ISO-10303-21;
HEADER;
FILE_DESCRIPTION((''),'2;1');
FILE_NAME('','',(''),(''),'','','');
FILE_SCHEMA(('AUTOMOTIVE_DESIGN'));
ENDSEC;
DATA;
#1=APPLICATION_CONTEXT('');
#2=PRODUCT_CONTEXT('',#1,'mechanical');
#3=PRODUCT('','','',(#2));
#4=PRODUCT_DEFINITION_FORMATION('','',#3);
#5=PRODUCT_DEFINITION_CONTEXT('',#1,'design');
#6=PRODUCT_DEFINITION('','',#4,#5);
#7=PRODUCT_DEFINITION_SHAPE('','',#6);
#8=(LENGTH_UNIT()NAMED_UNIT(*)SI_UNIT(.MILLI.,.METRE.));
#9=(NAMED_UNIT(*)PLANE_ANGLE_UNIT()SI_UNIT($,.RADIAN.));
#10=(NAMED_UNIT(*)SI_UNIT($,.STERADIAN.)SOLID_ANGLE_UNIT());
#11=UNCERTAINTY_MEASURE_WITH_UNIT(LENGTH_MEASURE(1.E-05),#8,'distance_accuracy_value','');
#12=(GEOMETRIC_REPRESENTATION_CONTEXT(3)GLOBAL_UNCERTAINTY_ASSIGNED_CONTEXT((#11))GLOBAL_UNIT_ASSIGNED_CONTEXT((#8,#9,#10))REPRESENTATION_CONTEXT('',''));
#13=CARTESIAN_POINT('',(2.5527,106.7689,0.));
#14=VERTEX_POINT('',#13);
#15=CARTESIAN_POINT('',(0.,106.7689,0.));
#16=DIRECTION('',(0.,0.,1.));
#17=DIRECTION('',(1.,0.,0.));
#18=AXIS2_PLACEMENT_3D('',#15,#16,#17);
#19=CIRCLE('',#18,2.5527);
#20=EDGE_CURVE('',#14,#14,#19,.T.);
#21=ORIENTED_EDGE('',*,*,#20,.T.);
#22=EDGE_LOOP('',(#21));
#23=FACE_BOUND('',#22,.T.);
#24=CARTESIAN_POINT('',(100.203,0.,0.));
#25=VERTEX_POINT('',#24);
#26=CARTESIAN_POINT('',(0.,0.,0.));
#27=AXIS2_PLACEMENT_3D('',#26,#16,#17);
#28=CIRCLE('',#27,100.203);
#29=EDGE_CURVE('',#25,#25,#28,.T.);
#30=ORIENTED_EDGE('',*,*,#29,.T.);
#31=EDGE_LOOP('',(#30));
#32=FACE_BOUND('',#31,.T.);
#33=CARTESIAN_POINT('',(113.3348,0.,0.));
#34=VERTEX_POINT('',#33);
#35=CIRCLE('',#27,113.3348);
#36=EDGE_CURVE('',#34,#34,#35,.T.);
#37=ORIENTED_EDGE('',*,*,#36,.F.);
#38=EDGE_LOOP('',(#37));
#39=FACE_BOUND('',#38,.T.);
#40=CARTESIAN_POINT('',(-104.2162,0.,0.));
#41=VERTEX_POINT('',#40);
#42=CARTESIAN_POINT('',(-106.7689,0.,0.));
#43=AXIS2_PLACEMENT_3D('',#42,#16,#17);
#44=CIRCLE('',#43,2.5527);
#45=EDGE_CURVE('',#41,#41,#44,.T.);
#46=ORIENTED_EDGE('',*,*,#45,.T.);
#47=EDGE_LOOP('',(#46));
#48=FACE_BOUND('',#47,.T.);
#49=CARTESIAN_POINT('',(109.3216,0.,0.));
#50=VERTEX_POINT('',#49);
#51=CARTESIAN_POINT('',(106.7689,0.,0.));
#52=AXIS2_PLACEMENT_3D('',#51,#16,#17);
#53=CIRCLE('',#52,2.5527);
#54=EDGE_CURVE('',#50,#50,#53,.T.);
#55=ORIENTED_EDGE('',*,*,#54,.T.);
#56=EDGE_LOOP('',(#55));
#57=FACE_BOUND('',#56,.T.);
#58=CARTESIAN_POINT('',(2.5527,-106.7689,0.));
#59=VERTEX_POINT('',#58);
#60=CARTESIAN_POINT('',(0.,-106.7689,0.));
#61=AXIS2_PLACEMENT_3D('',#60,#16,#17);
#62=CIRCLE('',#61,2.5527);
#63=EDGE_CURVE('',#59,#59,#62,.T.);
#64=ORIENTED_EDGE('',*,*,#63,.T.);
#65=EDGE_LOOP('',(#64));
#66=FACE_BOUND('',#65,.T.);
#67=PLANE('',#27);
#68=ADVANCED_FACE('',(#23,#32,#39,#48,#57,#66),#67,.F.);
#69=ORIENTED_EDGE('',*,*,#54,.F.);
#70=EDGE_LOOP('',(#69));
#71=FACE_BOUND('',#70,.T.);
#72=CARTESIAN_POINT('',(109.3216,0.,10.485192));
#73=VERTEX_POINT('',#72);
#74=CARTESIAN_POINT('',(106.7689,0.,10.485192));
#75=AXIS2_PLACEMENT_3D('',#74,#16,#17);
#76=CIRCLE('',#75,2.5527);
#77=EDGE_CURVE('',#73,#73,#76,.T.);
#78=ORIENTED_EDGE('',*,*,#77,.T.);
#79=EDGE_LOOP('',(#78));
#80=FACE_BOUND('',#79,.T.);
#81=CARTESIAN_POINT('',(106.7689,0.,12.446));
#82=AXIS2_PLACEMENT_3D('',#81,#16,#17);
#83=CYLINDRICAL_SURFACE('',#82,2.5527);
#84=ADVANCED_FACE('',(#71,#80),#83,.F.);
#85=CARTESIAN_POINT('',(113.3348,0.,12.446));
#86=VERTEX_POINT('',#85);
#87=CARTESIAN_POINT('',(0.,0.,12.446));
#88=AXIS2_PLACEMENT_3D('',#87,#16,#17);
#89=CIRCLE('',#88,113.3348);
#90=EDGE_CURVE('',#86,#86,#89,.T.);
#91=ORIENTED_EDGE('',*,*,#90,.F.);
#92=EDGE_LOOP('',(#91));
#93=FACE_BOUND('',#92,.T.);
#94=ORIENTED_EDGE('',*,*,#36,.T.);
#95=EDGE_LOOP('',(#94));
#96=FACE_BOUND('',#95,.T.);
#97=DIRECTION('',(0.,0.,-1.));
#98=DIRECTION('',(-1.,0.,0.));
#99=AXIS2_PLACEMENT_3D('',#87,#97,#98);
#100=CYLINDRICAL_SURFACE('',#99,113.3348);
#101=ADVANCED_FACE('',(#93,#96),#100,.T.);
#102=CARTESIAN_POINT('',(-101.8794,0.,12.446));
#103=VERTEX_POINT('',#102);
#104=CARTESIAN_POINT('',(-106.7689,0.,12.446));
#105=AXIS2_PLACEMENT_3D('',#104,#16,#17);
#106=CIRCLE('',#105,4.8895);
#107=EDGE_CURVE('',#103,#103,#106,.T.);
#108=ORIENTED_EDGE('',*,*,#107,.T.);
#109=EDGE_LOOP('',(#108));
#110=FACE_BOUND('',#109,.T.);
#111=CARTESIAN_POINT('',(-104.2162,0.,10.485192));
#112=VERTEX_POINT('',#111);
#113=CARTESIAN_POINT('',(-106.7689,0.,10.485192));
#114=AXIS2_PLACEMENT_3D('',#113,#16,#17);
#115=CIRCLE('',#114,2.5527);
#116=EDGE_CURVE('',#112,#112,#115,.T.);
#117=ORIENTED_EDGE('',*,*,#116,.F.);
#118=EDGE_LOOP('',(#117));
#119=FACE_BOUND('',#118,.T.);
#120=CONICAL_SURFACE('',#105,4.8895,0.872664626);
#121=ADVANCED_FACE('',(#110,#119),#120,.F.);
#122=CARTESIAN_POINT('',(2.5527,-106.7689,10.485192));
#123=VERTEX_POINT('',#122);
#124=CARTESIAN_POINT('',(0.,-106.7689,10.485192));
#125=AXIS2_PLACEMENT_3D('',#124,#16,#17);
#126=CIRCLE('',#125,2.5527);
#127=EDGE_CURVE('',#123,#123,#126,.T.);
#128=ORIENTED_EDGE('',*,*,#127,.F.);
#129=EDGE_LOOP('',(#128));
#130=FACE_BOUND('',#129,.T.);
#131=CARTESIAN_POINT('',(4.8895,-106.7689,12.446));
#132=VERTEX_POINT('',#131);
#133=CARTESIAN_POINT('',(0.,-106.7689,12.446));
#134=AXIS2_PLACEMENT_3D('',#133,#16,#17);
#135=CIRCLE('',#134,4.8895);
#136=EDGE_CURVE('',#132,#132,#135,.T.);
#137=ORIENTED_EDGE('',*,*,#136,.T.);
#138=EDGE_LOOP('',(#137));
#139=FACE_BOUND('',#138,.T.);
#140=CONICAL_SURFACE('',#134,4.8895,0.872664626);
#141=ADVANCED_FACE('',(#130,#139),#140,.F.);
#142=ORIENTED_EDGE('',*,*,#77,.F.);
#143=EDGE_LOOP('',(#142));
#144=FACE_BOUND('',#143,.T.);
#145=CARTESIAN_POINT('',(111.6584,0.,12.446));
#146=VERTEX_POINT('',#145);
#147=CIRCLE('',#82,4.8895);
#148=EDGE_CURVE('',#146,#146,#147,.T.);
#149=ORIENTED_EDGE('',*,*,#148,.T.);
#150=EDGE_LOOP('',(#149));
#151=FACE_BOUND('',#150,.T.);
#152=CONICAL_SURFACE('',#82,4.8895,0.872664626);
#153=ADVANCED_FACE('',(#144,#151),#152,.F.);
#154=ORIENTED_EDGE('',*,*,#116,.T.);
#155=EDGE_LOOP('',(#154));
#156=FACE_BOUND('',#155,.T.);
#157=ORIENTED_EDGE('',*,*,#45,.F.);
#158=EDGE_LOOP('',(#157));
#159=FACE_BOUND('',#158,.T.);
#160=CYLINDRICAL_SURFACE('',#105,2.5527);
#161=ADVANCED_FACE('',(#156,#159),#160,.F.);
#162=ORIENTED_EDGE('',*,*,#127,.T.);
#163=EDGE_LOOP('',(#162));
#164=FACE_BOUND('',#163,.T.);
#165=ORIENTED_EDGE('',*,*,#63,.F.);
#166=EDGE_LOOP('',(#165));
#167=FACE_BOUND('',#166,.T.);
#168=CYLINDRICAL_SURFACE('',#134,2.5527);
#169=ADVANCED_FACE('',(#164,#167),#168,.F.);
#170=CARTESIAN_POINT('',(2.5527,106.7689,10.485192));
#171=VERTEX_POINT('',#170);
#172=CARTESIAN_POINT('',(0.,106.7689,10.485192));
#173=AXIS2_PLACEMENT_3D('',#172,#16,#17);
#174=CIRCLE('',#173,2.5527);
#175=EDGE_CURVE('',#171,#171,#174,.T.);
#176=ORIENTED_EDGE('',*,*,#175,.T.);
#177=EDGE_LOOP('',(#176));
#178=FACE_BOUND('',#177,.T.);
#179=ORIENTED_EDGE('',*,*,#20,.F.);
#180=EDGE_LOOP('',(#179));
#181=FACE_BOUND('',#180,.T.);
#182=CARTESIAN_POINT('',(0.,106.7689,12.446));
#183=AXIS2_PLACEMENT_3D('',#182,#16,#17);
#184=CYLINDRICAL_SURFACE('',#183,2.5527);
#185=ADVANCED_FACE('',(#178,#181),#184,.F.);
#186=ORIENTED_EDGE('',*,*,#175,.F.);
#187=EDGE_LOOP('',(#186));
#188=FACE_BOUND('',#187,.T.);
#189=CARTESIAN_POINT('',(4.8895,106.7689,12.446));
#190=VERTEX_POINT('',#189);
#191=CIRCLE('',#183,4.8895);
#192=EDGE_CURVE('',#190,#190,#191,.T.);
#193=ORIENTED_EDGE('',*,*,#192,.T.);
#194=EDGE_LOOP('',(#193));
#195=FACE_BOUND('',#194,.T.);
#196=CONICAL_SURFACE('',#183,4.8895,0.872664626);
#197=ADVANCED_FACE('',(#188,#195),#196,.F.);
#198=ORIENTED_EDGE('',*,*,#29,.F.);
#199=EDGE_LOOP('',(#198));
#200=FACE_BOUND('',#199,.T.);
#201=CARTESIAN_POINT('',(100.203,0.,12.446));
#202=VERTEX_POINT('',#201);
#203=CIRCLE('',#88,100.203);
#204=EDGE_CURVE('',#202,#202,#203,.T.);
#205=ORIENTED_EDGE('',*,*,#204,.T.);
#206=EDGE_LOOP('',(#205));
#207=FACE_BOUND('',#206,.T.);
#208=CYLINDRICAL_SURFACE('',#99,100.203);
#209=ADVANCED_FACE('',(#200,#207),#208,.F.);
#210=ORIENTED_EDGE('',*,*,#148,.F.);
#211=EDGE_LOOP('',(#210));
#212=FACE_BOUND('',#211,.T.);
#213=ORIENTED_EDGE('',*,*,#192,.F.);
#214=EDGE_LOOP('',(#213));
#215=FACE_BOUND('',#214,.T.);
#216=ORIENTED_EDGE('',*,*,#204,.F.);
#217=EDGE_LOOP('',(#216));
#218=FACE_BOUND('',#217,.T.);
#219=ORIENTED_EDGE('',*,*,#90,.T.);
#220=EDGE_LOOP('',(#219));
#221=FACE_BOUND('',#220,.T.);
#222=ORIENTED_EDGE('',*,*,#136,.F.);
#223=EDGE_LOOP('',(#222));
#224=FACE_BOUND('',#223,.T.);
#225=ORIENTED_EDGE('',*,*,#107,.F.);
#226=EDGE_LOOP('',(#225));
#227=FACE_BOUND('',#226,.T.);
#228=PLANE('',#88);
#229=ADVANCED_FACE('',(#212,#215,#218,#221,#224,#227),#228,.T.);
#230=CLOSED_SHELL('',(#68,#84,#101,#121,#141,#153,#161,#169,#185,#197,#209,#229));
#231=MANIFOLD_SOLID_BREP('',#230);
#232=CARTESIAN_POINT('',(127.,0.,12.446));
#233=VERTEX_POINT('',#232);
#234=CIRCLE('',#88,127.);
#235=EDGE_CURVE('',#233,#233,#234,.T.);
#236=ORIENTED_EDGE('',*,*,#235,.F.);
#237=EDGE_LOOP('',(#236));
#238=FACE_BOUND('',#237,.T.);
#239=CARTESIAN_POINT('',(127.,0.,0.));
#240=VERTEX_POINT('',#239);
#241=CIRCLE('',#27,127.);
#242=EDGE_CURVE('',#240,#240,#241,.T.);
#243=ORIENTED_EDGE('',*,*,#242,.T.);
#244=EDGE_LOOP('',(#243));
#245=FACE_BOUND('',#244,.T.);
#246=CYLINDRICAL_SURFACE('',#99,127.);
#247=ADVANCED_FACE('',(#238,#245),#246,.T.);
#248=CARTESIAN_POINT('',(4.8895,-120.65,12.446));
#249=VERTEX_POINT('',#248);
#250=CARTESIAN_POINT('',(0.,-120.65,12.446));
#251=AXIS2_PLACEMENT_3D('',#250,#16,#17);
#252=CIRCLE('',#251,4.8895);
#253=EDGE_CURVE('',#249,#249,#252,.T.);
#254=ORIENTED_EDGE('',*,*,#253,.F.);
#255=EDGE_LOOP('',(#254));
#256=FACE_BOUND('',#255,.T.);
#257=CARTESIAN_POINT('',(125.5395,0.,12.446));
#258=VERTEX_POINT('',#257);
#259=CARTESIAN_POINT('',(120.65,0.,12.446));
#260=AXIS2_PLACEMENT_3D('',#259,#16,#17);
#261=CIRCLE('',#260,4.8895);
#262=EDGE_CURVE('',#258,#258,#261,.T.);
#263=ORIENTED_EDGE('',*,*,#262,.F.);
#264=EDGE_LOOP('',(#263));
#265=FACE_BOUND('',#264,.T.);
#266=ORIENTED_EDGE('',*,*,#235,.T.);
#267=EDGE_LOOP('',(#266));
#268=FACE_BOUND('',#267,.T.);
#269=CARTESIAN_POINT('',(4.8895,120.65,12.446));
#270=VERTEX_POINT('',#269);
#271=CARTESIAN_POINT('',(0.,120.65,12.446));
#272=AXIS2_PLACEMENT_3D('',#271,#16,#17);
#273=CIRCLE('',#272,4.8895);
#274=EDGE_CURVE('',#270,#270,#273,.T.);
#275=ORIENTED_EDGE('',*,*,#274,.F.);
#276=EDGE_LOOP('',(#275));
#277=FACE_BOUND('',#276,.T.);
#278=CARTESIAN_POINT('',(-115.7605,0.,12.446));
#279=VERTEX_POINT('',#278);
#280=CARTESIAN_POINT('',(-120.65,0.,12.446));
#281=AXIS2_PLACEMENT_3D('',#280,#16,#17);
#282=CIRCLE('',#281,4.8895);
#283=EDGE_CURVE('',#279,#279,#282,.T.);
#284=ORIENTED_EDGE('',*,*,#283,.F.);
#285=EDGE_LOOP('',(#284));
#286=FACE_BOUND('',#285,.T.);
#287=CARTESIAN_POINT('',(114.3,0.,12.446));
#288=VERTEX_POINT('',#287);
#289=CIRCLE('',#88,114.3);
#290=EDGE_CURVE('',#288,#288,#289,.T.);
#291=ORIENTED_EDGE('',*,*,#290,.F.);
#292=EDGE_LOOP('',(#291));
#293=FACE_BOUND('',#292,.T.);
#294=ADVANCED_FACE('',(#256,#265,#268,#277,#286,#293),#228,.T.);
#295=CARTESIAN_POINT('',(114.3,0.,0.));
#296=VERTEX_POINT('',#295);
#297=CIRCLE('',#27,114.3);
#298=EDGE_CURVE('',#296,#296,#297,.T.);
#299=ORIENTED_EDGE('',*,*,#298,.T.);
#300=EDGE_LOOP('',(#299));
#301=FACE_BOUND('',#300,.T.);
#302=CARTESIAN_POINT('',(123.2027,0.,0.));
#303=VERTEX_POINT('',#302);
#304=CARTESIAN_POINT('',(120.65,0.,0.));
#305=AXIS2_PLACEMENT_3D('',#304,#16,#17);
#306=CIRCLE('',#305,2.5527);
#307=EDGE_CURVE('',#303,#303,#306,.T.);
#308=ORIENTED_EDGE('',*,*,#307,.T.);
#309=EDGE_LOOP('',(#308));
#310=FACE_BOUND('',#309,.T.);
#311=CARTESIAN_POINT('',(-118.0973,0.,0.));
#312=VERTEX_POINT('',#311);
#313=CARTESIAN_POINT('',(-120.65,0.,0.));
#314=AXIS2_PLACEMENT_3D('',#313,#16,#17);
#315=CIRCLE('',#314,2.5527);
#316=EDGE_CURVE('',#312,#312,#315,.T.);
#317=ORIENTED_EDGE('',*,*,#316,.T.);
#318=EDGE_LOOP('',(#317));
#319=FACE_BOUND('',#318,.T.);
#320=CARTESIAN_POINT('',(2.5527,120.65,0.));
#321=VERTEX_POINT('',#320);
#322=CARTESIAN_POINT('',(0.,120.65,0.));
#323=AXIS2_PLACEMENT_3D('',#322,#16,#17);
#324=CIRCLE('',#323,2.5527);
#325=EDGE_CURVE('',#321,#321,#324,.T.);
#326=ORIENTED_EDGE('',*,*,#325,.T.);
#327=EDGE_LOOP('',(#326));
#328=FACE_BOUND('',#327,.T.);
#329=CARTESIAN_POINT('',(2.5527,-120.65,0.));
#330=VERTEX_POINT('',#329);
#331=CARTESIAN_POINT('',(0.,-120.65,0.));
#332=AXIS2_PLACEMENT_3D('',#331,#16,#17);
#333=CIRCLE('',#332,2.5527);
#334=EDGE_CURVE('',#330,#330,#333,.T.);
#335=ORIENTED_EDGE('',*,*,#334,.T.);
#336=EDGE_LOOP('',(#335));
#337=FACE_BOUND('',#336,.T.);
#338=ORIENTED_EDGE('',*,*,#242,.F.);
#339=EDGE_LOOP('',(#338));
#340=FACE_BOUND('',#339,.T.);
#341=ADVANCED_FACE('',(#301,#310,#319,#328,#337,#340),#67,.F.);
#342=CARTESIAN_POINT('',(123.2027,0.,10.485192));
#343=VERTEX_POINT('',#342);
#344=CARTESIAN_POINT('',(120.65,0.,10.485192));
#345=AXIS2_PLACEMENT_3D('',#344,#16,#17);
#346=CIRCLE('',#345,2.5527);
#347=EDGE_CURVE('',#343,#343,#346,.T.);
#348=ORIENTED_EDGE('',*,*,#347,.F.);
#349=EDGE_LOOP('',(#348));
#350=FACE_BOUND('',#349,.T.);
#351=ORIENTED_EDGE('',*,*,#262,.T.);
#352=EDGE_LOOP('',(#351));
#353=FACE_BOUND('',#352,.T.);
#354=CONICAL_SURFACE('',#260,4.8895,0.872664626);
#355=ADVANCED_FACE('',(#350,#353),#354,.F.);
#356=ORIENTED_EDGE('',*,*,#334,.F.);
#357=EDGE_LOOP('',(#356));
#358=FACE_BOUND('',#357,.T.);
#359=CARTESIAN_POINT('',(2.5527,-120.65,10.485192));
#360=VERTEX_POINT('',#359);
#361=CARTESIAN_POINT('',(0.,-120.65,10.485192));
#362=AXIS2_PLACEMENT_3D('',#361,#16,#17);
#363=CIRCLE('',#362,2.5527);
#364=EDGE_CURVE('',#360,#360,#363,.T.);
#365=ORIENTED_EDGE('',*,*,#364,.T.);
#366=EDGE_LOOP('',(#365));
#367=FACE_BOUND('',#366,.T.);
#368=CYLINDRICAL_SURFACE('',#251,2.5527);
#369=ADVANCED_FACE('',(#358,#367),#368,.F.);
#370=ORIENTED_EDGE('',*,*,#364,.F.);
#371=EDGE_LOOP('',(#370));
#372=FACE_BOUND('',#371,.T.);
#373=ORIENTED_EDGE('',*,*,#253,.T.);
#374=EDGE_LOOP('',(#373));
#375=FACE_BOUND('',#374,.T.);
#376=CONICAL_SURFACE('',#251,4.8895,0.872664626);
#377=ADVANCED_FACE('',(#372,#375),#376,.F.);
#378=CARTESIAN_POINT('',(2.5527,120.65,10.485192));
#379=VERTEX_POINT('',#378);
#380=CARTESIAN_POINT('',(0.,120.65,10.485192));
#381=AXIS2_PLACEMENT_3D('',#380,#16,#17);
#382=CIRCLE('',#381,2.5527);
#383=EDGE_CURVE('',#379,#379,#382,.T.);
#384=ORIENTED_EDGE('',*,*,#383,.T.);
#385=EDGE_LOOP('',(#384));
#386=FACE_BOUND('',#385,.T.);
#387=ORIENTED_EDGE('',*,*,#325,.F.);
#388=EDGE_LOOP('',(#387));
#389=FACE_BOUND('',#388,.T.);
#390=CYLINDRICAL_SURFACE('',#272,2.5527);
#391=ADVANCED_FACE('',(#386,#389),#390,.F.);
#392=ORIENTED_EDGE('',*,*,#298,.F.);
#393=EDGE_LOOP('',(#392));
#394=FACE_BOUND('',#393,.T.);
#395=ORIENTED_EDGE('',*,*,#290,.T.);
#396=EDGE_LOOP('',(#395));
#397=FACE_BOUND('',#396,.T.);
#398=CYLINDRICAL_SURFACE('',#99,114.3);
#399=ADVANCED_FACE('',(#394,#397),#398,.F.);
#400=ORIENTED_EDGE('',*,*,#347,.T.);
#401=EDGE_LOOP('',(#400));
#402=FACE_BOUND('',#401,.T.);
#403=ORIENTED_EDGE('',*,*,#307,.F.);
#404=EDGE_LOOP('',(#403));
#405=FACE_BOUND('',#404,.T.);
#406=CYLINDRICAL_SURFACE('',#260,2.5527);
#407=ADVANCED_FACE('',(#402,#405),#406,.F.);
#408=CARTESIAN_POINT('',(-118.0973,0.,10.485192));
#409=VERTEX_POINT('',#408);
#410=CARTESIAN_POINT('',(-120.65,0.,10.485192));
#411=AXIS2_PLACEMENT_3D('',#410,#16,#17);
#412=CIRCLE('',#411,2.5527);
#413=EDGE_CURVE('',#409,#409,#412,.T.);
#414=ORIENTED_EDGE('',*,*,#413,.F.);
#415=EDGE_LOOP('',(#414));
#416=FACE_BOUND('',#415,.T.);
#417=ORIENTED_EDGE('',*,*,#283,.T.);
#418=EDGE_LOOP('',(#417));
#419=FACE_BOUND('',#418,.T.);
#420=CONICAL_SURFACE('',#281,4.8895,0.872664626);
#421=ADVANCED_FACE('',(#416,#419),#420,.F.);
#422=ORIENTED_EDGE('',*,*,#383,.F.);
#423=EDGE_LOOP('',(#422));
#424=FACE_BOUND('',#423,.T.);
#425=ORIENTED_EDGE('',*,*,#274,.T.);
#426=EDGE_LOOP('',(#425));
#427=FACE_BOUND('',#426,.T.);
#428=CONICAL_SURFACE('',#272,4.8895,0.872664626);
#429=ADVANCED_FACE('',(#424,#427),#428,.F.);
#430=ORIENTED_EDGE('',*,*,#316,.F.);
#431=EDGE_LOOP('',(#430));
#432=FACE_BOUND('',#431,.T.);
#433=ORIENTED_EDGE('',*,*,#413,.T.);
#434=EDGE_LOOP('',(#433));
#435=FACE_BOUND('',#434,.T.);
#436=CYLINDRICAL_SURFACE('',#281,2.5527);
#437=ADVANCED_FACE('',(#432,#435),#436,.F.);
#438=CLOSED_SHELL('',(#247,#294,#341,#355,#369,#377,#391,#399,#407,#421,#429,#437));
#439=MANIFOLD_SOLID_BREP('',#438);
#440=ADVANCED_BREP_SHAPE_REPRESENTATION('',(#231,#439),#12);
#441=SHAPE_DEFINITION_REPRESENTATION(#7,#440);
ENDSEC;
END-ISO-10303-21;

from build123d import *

# Parameters (mm, degrees)
SKETCH1_R                                     = 113.3348
SKETCH1_R_2                                   = 100.203
BOSS_EXTRUDE1_DEPTH                           = 12.446
SKETCH1_R_3                                   = 127
SKETCH1_R_4                                   = 114.3
BOSS_EXTRUDE1_2_DEPTH                         = 12.446
CSK_FOR_10_FLAT_HEAD_MACHINE_SCREW_2_COUNT    = 2
CSK_FOR_10_FLAT_HEAD_MACHINE_SCREW_2_PITCH    = 170.6248663
CSK_FOR_10_FLAT_HEAD_MACHINE_SCREW_3_COUNT    = 2
CSK_FOR_10_FLAT_HEAD_MACHINE_SCREW_3_PITCH    = 241.3
CSK_FOR_10_FLAT_HEAD_MACHINE_SCREW_4_COUNT    = 2
CSK_FOR_10_FLAT_HEAD_MACHINE_SCREW_4_PITCH    = 170.6248663
CSK_FOR_10_FLAT_HEAD_MACHINE_SCREW_5_AT_COUNT = 2
CSK_FOR_10_FLAT_HEAD_MACHINE_SCREW_5_AT_PITCH = 150.99402642
CSK_FOR_10_FLAT_HEAD_MACHINE_SCREW_6_COUNT    = 2
CSK_FOR_10_FLAT_HEAD_MACHINE_SCREW_6_PITCH    = 213.5378
CSK_FOR_10_FLAT_HEAD_MACHINE_SCREW_7_COUNT    = 2
CSK_FOR_10_FLAT_HEAD_MACHINE_SCREW_7_PITCH    = 150.99402642


with BuildPart() as part:
    # Sketch1 → Boss-Extrude1 (new body)
    with BuildSketch(Plane.XY):
        Circle(SKETCH1_R)
        Circle(SKETCH1_R_2, mode=Mode.SUBTRACT)
    extrude(amount=BOSS_EXTRUDE1_DEPTH)

    # Sketch15 → CSK for _10 Flat Head Machine Screw  5 (revolve, cut)
    with BuildSketch(Plane(origin=(0, -106.7689, 12.446), x_dir=(0, -1, 0), z_dir=(1, 0, 0))):
        Polygon((0, 0), (0, 12.446), (2.5527, 12.446), (2.5527, 1.960808018), (4.8895, 0), align=None)
    csk_for_10_flat_head_machine_screw_5 = revolve(axis=Axis((0, -106.7689, 18.796), (0, 0, -1)), mode=Mode.SUBTRACT)

    # CSK for _10 Flat Head Machine Screw 5 at: CSK for _10 Flat Head Machine Screw  5 ×2
    with Locations(*[Vector(-0.7071067811865476, 0.7071067811865476, 0) * (i * CSK_FOR_10_FLAT_HEAD_MACHINE_SCREW_5_AT_PITCH) for i in range(1, CSK_FOR_10_FLAT_HEAD_MACHINE_SCREW_5_AT_COUNT)]):
        add(csk_for_10_flat_head_machine_screw_5, mode=Mode.SUBTRACT)

    # CSK for _10 Flat Head Machine Screw  6: CSK for _10 Flat Head Machine Screw  5 ×2
    with Locations(*[(0, i * CSK_FOR_10_FLAT_HEAD_MACHINE_SCREW_6_PITCH, 0) for i in range(1, CSK_FOR_10_FLAT_HEAD_MACHINE_SCREW_6_COUNT)]):
        add(csk_for_10_flat_head_machine_screw_5, mode=Mode.SUBTRACT)

    # CSK for _10 Flat Head Machine Screw  7: CSK for _10 Flat Head Machine Screw  5 ×2
    with Locations(*[Vector(0.7071067811865476, 0.7071067811865476, 0) * (i * CSK_FOR_10_FLAT_HEAD_MACHINE_SCREW_7_PITCH) for i in range(1, CSK_FOR_10_FLAT_HEAD_MACHINE_SCREW_7_COUNT)]):
        add(csk_for_10_flat_head_machine_screw_5, mode=Mode.SUBTRACT)


with BuildPart() as body_2:
    # Sketch1 → Boss-Extrude1 2 (new body)
    with BuildSketch(Plane.XY):
        Circle(SKETCH1_R_3)
        Circle(SKETCH1_R_4, mode=Mode.SUBTRACT)
    extrude(amount=BOSS_EXTRUDE1_2_DEPTH)

    # Sketch11 → CSK for _10 Flat Head Machine Screw _100 (revolve, cut)
    with BuildSketch(Plane(origin=(0, -120.65, 12.446), x_dir=(0, -1, 0), z_dir=(1, 0, 0))):
        Polygon((0, 0), (0, 12.446), (2.5527, 12.446), (2.5527, 1.960808018), (4.8895, 0), align=None)
    csk_for_10_flat_head_machine_screw_100 = revolve(axis=Axis((0, -120.65, 18.796), (0, 0, -1)), mode=Mode.SUBTRACT)

    # CSK for _10 Flat Head Machine Screw  2: CSK for _10 Flat Head Machine Screw _100 ×2
    with Locations(*[Vector(-0.7071067811865476, 0.7071067811865476, 0) * (i * CSK_FOR_10_FLAT_HEAD_MACHINE_SCREW_2_PITCH) for i in range(1, CSK_FOR_10_FLAT_HEAD_MACHINE_SCREW_2_COUNT)]):
        add(csk_for_10_flat_head_machine_screw_100, mode=Mode.SUBTRACT)

    # CSK for _10 Flat Head Machine Screw  3: CSK for _10 Flat Head Machine Screw _100 ×2
    with Locations(*[(0, i * CSK_FOR_10_FLAT_HEAD_MACHINE_SCREW_3_PITCH, 0) for i in range(1, CSK_FOR_10_FLAT_HEAD_MACHINE_SCREW_3_COUNT)]):
        add(csk_for_10_flat_head_machine_screw_100, mode=Mode.SUBTRACT)

    # CSK for _10 Flat Head Machine Screw  4: CSK for _10 Flat Head Machine Screw _100 ×2
    with Locations(*[Vector(0.7071067811865476, 0.7071067811865476, 0) * (i * CSK_FOR_10_FLAT_HEAD_MACHINE_SCREW_4_PITCH) for i in range(1, CSK_FOR_10_FLAT_HEAD_MACHINE_SCREW_4_COUNT)]):
        add(csk_for_10_flat_head_machine_screw_100, mode=Mode.SUBTRACT)


solid = Compound([part.part, body_2.part])
